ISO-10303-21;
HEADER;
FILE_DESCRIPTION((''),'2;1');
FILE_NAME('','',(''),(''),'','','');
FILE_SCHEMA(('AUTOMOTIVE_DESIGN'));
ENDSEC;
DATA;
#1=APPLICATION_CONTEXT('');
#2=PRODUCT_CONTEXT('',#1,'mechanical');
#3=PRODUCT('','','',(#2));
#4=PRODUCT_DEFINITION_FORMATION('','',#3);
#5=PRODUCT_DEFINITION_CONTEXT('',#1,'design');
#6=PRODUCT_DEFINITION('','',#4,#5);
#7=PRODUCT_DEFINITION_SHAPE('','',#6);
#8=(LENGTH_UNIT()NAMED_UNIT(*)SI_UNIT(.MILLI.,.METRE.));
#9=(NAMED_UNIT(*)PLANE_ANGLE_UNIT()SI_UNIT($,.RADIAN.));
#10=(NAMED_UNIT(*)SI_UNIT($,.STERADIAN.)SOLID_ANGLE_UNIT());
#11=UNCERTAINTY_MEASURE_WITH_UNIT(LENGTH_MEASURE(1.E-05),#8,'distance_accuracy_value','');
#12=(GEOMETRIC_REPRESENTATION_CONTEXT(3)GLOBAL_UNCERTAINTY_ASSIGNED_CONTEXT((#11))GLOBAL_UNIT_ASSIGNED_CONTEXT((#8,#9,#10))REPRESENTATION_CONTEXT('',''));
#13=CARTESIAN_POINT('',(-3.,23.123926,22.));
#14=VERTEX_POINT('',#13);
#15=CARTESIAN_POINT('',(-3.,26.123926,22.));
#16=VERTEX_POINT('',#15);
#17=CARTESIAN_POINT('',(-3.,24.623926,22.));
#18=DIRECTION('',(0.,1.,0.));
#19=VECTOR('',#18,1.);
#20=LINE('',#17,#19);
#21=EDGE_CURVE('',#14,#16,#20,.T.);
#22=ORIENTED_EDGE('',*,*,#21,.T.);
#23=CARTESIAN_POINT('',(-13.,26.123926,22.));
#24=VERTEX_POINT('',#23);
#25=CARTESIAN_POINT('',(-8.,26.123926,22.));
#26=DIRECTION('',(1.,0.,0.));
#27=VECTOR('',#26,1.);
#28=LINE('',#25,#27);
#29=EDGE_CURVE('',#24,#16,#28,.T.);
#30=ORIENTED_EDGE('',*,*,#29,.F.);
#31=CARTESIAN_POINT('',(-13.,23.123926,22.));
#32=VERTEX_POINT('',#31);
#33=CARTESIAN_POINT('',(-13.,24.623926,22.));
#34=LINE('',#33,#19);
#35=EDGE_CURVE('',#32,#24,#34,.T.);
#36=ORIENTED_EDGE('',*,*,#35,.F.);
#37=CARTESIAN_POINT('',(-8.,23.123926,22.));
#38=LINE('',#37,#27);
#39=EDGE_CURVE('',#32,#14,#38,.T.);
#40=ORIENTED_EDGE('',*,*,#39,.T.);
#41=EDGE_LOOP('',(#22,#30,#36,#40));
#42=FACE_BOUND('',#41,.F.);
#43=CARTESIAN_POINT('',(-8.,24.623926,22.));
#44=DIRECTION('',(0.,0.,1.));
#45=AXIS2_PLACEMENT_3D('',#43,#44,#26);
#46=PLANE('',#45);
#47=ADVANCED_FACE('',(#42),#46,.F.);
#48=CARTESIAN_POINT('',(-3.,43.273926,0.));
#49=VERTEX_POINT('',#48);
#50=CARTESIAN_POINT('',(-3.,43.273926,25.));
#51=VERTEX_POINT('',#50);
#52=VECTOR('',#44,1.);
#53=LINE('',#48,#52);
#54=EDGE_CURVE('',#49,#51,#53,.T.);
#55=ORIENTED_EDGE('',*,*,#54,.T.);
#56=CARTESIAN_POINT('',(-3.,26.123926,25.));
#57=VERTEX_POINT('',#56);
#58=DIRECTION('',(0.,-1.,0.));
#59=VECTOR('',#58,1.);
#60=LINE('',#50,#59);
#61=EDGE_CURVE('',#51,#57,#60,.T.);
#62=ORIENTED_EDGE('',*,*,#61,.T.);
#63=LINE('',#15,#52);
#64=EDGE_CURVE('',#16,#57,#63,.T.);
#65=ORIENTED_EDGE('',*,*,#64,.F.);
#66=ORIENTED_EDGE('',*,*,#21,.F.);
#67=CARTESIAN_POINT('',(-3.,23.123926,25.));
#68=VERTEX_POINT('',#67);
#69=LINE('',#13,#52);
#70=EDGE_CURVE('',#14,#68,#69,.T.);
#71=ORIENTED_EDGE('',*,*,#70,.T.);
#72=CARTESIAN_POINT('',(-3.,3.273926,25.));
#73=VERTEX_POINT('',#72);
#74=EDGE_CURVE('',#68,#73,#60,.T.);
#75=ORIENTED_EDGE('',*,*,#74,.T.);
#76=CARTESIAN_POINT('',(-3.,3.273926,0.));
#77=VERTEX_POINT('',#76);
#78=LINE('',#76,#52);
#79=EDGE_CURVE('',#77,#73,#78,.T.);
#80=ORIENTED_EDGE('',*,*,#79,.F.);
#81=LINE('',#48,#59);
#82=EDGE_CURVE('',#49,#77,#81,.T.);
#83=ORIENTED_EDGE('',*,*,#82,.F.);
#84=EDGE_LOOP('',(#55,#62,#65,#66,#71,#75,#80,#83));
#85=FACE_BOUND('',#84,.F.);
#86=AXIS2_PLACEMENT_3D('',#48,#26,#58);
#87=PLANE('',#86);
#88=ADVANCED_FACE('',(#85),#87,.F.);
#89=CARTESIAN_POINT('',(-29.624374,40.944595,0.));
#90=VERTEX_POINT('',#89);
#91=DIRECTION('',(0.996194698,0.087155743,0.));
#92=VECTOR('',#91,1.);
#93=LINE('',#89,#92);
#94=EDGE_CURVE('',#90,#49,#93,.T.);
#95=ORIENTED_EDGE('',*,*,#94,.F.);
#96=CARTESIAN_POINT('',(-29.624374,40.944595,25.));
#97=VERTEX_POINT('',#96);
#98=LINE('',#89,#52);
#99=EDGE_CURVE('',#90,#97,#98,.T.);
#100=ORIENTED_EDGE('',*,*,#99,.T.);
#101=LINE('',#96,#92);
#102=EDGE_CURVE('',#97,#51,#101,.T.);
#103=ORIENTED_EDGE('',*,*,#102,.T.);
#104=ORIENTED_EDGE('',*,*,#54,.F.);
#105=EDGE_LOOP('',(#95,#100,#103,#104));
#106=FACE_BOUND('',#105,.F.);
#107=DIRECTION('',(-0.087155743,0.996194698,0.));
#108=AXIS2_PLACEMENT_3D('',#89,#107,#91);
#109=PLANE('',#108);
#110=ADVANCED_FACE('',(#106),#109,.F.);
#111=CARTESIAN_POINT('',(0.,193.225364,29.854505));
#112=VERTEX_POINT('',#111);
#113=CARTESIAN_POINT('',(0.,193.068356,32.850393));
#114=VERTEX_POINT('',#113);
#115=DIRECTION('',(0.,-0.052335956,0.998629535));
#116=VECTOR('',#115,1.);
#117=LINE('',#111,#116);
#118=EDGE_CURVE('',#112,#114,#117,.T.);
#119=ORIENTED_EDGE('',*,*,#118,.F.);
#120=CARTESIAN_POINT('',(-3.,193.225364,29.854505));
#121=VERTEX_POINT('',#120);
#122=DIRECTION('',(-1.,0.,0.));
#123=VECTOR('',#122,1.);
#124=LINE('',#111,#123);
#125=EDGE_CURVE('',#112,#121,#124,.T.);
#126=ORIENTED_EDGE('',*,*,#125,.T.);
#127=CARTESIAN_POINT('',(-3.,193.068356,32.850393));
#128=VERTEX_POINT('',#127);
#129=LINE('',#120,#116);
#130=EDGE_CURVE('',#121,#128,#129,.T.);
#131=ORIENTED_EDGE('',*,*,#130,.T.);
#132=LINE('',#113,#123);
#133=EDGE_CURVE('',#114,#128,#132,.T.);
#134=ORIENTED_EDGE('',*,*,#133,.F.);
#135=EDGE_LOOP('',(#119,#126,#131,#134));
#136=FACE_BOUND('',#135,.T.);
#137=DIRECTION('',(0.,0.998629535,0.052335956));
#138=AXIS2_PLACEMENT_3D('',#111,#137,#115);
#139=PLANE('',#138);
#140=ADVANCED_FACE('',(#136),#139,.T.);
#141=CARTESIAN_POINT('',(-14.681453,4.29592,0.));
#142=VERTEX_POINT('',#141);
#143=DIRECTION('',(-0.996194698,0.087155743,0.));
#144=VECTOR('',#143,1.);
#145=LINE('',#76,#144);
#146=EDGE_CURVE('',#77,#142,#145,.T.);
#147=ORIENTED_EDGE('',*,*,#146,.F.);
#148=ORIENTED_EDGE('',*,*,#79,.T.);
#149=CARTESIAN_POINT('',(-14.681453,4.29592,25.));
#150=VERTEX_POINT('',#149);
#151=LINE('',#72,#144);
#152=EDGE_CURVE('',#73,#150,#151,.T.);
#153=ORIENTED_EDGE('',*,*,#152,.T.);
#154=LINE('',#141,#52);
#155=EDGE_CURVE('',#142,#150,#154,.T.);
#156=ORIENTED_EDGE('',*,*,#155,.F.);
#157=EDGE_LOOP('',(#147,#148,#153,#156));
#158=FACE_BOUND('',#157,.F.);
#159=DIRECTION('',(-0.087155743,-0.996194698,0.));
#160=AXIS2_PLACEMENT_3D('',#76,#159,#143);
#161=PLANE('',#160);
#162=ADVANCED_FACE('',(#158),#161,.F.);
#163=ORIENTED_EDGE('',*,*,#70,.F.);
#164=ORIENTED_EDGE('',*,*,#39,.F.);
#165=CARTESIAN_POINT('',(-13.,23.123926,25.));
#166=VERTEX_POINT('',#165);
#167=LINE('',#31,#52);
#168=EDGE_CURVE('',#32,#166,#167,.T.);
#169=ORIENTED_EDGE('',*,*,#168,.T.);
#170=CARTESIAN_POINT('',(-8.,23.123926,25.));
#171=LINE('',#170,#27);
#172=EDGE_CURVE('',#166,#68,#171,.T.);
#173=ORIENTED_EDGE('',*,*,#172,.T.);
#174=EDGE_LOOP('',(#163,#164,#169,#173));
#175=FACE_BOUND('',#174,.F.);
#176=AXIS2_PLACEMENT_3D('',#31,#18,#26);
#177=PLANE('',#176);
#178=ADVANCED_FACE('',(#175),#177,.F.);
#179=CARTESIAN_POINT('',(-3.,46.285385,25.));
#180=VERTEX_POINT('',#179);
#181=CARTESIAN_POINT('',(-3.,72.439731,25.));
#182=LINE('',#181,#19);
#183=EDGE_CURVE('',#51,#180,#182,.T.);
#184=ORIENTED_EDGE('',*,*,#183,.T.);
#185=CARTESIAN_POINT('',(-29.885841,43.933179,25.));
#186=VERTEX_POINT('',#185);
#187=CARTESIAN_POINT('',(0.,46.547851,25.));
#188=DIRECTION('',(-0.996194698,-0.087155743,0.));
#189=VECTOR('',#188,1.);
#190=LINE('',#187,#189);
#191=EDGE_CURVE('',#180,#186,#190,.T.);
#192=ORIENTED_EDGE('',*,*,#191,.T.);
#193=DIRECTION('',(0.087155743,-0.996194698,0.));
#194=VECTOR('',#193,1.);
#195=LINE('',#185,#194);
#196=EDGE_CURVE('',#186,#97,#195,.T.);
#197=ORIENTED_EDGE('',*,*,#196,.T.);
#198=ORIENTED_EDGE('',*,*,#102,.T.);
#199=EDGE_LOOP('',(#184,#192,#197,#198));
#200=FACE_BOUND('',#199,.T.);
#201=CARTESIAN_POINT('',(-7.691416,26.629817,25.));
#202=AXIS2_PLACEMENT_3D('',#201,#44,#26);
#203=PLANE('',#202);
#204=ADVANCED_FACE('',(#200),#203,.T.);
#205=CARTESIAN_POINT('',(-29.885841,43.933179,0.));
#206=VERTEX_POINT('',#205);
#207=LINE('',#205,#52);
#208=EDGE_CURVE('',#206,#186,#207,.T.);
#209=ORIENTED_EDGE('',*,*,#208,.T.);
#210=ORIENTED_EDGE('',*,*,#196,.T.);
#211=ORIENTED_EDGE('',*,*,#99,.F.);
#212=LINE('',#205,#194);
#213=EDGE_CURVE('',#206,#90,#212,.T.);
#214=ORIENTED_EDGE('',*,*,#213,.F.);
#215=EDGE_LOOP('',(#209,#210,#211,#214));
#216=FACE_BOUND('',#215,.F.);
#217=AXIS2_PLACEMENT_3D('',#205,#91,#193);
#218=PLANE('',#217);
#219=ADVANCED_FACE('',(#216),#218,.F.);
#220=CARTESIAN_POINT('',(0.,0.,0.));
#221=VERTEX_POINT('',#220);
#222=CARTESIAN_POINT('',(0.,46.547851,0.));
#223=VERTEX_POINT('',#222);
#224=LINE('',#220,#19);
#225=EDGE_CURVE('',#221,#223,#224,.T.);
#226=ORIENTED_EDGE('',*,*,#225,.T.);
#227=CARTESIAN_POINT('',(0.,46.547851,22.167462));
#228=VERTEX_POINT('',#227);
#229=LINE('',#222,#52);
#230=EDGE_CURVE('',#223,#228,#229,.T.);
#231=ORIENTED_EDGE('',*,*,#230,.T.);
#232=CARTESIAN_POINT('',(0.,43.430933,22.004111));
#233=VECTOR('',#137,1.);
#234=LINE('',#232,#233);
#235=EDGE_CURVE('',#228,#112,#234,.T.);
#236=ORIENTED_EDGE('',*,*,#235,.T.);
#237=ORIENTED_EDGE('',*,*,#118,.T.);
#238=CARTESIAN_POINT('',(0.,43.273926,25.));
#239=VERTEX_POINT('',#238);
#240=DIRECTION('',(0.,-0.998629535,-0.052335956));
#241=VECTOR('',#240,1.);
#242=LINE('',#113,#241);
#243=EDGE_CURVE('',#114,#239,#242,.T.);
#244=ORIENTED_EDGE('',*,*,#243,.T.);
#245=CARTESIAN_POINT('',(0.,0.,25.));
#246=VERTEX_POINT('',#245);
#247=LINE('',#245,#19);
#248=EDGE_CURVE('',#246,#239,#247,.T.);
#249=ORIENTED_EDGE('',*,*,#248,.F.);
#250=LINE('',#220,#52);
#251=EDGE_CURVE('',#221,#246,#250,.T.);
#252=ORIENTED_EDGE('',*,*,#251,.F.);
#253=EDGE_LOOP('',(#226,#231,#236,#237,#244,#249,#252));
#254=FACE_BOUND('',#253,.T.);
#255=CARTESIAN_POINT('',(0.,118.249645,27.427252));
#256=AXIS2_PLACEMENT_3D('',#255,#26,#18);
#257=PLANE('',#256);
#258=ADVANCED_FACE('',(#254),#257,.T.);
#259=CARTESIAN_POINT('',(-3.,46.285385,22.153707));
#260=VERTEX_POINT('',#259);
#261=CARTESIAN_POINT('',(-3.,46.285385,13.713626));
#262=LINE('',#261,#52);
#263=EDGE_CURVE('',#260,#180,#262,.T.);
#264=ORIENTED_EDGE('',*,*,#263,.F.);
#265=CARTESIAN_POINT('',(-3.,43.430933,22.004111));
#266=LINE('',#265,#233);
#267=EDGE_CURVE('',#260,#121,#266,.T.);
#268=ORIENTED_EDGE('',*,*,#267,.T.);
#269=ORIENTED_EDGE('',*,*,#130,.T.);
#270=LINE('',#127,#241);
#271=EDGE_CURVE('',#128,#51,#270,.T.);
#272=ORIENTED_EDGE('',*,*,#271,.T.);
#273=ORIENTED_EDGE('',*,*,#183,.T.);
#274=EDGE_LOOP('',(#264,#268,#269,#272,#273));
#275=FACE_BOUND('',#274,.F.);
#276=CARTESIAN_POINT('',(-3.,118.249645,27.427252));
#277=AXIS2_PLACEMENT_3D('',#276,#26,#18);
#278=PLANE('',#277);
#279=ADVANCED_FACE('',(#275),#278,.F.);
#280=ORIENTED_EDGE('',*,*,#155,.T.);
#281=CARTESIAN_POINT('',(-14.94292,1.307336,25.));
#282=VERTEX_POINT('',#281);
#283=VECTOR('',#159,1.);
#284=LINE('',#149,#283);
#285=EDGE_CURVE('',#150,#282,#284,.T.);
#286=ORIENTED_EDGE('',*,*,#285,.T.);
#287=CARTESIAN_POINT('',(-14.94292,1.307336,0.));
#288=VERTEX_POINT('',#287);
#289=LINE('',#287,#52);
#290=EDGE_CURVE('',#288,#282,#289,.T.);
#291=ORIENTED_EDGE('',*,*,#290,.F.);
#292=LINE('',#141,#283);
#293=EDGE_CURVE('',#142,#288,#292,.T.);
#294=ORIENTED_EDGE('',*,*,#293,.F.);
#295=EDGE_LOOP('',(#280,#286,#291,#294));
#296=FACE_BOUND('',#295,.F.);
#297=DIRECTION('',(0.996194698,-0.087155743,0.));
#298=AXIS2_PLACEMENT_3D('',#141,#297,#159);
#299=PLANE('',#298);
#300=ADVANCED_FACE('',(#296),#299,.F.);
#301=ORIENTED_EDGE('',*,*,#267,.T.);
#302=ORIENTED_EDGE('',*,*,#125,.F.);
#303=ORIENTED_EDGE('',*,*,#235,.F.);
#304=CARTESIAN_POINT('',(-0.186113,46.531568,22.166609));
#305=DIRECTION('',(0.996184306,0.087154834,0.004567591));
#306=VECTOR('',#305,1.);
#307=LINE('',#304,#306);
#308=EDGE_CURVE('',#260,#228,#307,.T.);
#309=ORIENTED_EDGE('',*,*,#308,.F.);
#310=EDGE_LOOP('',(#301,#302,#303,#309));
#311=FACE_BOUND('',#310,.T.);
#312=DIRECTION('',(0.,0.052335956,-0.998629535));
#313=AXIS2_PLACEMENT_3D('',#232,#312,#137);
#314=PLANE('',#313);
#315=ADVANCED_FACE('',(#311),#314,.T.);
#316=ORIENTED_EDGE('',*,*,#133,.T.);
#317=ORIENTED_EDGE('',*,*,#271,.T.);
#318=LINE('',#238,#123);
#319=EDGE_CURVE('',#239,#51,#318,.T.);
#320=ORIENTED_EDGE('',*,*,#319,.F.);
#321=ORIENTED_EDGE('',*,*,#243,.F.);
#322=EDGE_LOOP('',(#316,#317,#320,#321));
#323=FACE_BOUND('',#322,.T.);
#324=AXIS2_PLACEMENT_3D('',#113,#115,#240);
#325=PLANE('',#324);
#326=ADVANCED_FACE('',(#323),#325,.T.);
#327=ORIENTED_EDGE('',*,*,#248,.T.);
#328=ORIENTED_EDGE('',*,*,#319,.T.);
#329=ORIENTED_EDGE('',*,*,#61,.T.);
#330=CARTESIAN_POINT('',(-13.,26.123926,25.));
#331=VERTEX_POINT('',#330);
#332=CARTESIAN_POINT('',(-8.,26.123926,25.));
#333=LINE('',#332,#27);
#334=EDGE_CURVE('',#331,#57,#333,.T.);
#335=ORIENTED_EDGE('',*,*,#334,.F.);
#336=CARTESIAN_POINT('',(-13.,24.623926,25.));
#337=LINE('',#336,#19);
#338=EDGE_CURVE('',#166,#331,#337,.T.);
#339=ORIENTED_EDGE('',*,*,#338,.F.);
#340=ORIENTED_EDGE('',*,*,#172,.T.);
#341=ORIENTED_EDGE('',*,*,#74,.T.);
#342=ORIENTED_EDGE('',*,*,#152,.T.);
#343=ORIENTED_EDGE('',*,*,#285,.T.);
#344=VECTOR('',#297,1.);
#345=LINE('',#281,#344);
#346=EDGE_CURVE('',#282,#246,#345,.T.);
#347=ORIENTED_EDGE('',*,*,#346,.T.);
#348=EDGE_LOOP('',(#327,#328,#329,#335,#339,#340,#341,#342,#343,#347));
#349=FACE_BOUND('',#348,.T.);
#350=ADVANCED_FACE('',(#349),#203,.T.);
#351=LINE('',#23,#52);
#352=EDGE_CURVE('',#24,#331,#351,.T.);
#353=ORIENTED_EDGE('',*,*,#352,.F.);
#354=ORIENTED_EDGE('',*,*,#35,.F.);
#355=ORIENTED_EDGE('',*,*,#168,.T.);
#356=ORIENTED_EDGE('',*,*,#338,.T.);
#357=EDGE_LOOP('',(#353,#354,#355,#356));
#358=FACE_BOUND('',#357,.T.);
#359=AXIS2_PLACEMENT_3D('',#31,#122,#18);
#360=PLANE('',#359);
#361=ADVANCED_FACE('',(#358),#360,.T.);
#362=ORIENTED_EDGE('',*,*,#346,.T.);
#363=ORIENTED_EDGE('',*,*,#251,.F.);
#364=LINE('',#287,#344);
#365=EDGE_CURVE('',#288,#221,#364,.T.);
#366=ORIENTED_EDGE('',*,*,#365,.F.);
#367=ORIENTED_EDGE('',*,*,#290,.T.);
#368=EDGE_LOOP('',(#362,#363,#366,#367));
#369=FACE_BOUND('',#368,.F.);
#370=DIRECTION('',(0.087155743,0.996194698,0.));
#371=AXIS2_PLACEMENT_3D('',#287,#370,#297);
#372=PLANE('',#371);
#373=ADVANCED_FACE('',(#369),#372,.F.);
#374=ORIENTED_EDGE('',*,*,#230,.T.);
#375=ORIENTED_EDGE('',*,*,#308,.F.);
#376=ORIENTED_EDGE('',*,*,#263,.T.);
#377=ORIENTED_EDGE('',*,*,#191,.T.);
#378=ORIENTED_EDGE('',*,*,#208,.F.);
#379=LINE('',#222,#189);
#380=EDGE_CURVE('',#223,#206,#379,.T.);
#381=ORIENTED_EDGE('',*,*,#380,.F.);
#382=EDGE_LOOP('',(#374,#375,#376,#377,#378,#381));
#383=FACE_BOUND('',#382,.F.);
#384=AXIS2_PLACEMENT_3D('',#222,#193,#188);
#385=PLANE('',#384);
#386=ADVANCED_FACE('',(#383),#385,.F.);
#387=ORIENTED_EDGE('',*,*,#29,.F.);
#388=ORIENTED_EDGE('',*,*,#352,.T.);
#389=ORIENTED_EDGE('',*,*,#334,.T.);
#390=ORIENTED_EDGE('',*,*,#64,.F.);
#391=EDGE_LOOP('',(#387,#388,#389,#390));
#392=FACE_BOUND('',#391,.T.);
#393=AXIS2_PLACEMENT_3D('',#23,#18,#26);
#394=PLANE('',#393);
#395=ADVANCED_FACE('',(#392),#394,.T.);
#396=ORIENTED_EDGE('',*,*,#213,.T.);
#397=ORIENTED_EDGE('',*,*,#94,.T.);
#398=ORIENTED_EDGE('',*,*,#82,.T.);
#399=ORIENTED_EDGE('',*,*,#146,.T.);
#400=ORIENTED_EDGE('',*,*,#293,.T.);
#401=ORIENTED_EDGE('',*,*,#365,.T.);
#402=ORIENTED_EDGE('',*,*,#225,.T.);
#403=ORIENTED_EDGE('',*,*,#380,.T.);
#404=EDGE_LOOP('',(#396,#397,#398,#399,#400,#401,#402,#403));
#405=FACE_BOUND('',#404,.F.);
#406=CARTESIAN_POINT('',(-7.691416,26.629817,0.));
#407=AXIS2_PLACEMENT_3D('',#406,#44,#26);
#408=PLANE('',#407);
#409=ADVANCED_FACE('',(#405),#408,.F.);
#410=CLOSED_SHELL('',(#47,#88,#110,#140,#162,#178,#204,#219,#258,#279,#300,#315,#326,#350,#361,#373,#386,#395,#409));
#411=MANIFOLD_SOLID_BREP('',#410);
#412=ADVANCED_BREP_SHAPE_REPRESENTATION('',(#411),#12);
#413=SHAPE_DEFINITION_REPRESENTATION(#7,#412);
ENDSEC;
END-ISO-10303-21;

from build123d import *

# Parameters (mm, degrees)
F1_DEPTH = 25
F3_START = 22
F2_W     = 10
F2_H     = 3
F3_DEPTH = 3
F5_DEPTH = 3


with BuildPart() as f1:
    # F0 (on Top) → F1 (new body)
    with BuildSketch(Plane.XY):
        Polygon((-14.9429204714, 1.3073361412), (0, 0), (0, 46.5478510064), (-29.8858409428, 43.933178724), (-29.6243737145, 40.9445946297), (-3, 43.2739255032), (-3, 3.2739255032), (-14.6814532431, 4.2959202355), align=None)
    extrude(amount=F1_DEPTH)

    # F2 (on Top) → F3 (join)
    with BuildSketch(Plane.XY.offset(F3_START)):
        with Locations((-8, 24.6239255032)):
            Rectangle(F2_W, F2_H)
    extrude(amount=F3_DEPTH)

    # F4 (on Right) → F5 (join)
    with BuildSketch(Plane.YZ):
        Polygon((193.0683557164, 32.8503934364), (43.2739255032, 25), (43.4309333719, 22.0041113957), (193.2253635851, 29.8545048322), align=None)
    extrude(amount=-F5_DEPTH)


solid = f1.part
